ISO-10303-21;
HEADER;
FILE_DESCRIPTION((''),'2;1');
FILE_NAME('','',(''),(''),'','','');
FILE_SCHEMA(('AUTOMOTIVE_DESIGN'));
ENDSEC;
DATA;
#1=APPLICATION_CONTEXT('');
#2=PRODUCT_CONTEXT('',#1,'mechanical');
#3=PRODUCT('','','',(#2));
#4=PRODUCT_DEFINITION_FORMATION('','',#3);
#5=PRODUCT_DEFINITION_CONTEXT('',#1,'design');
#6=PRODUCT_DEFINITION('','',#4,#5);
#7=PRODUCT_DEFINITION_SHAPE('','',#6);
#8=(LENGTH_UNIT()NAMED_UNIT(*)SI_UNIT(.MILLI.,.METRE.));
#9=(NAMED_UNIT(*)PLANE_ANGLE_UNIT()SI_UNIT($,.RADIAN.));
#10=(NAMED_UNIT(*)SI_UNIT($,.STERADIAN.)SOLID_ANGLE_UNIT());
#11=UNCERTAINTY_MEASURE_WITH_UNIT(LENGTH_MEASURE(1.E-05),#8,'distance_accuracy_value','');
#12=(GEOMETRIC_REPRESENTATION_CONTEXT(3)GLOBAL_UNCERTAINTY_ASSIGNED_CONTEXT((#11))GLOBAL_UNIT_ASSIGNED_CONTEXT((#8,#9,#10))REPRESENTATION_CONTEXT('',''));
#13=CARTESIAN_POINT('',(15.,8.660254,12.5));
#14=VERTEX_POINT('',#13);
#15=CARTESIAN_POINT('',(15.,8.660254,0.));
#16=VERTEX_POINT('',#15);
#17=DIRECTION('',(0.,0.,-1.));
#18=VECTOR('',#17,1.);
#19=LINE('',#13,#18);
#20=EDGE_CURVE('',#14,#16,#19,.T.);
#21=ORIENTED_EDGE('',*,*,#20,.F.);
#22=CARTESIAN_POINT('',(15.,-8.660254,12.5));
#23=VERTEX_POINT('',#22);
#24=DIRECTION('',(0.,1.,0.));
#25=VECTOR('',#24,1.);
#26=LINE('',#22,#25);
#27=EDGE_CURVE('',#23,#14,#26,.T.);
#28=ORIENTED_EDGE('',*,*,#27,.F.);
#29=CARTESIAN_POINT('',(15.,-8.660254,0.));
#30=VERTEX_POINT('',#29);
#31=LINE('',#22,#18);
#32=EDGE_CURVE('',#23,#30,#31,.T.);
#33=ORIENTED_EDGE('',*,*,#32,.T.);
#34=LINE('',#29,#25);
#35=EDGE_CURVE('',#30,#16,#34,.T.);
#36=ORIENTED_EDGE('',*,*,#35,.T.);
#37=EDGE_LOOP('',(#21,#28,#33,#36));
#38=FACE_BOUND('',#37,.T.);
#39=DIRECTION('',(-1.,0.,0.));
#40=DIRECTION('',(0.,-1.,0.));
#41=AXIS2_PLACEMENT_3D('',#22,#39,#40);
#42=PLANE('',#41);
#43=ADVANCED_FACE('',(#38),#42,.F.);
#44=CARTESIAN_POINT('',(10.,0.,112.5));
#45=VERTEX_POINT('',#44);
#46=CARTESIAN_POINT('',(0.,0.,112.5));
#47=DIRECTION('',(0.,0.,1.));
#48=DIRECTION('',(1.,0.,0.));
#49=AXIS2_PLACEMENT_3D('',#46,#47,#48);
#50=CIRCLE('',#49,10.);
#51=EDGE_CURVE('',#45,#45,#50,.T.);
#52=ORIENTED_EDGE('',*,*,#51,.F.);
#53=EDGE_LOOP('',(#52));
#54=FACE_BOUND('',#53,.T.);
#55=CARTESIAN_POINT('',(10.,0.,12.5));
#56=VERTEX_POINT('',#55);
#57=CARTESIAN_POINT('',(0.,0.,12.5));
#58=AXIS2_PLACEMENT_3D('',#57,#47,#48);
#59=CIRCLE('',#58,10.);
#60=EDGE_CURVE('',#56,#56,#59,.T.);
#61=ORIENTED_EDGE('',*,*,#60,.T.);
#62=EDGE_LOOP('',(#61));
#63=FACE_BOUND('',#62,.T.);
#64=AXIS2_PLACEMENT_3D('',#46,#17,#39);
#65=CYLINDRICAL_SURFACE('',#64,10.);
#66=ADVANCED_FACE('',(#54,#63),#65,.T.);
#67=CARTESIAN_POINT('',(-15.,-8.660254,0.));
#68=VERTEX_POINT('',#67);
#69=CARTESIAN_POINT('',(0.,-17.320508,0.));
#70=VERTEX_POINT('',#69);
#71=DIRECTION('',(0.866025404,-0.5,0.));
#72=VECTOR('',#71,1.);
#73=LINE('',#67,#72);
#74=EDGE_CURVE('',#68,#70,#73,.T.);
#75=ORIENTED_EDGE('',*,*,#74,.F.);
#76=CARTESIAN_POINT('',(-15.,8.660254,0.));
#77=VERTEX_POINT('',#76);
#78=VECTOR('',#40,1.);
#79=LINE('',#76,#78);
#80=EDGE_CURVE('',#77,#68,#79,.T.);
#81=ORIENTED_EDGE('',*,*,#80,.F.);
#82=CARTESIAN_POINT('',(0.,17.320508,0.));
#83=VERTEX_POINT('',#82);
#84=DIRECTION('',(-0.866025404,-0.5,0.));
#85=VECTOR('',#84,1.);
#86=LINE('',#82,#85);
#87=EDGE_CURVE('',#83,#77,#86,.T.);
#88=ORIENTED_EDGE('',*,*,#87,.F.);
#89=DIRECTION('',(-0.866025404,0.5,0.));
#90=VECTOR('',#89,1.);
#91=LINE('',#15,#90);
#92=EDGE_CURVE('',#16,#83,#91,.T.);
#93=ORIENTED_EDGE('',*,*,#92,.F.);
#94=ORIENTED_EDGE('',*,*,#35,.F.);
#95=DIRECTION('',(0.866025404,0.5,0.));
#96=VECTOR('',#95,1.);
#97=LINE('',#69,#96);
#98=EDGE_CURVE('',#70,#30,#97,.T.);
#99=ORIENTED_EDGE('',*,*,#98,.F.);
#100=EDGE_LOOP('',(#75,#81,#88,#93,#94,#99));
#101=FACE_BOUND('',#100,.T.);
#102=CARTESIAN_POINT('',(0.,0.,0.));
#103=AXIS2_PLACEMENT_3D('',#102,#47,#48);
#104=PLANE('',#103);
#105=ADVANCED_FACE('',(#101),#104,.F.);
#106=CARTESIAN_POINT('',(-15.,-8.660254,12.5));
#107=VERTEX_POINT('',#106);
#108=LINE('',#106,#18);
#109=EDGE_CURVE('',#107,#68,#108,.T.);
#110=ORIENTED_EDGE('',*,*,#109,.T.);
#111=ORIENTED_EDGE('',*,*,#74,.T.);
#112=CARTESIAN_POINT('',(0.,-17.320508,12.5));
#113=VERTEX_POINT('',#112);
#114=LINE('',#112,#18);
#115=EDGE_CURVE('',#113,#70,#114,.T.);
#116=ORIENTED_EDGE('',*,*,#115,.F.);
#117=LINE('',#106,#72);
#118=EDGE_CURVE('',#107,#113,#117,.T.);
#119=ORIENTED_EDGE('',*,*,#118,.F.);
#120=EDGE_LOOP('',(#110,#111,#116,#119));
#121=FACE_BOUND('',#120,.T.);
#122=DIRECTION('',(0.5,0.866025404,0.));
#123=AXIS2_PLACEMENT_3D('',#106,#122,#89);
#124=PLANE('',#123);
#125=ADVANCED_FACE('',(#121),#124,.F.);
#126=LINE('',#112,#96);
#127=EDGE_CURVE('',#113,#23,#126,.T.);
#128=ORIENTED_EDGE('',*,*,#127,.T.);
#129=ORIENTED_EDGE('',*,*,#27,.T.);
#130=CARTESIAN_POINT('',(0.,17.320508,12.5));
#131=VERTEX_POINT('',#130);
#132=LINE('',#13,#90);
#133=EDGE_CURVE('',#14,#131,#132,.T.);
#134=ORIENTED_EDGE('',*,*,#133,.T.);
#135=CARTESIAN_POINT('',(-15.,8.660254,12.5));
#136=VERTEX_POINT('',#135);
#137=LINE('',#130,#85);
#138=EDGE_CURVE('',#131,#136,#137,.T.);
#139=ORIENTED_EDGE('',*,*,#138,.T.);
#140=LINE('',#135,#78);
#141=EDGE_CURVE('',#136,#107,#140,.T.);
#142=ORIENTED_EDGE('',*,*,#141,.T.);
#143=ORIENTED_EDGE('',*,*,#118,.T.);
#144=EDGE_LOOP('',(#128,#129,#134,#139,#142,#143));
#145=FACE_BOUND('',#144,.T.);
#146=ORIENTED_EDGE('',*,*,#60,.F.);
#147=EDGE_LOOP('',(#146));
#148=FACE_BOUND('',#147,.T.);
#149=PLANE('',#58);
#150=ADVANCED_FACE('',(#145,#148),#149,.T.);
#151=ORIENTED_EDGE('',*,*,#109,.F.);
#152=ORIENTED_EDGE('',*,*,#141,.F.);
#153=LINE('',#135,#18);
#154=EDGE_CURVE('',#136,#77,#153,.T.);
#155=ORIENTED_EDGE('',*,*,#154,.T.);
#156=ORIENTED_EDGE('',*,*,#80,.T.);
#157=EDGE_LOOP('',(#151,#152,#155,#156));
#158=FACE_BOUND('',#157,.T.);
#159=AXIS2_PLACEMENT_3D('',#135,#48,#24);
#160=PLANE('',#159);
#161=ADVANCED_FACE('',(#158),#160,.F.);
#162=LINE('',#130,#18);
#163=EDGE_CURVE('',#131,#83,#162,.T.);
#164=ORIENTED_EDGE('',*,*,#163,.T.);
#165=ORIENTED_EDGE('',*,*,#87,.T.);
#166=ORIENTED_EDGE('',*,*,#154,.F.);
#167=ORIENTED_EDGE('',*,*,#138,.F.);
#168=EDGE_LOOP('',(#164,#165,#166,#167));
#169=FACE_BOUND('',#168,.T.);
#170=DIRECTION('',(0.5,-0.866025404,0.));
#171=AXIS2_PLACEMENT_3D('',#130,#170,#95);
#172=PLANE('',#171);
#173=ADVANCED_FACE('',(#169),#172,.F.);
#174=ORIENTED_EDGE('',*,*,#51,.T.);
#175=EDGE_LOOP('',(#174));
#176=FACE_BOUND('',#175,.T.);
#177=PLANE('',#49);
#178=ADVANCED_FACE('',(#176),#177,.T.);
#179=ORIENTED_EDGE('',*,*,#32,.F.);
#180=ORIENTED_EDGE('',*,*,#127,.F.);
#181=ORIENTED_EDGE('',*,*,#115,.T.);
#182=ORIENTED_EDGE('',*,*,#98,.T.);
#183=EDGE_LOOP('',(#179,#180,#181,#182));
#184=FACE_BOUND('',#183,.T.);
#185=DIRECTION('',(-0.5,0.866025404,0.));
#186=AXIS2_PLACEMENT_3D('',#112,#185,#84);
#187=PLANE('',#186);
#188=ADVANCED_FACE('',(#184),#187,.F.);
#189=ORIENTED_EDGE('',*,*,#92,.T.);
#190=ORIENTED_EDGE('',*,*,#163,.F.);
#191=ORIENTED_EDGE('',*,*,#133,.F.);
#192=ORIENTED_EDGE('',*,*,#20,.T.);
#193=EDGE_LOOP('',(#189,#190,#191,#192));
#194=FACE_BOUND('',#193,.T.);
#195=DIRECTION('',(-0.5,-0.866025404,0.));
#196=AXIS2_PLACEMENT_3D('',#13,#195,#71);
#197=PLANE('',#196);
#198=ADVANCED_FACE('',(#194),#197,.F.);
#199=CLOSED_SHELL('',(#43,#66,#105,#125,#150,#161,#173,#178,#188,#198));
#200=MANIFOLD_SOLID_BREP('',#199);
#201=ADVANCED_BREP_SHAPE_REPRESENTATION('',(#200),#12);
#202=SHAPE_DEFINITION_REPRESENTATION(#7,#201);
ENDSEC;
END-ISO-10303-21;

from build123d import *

# Parameters (mm, degrees)
P_IDAT_VYSUNUT_M1_DEPTH = 12.5
SKICA2_R                = 10
P_IDAT_VYSUNUT_M2_DEPTH = 100


with BuildPart() as part:
    # Skica1 → Přidat vysunutím1 (new body)
    with BuildSketch(Plane.XY):
        Polygon((15, 8.660254038), (0, 17.320508076), (-15, 8.660254038), (-15, -8.660254038), (0, -17.320508076), (15, -8.660254038), align=None)
    extrude(amount=P_IDAT_VYSUNUT_M1_DEPTH)

    # Skica2 → Přidat vysunutím2 (add)
    with BuildSketch(Plane.XY.offset(12.5)):
        Circle(SKICA2_R)
    extrude(amount=P_IDAT_VYSUNUT_M2_DEPTH)


solid = part.part
